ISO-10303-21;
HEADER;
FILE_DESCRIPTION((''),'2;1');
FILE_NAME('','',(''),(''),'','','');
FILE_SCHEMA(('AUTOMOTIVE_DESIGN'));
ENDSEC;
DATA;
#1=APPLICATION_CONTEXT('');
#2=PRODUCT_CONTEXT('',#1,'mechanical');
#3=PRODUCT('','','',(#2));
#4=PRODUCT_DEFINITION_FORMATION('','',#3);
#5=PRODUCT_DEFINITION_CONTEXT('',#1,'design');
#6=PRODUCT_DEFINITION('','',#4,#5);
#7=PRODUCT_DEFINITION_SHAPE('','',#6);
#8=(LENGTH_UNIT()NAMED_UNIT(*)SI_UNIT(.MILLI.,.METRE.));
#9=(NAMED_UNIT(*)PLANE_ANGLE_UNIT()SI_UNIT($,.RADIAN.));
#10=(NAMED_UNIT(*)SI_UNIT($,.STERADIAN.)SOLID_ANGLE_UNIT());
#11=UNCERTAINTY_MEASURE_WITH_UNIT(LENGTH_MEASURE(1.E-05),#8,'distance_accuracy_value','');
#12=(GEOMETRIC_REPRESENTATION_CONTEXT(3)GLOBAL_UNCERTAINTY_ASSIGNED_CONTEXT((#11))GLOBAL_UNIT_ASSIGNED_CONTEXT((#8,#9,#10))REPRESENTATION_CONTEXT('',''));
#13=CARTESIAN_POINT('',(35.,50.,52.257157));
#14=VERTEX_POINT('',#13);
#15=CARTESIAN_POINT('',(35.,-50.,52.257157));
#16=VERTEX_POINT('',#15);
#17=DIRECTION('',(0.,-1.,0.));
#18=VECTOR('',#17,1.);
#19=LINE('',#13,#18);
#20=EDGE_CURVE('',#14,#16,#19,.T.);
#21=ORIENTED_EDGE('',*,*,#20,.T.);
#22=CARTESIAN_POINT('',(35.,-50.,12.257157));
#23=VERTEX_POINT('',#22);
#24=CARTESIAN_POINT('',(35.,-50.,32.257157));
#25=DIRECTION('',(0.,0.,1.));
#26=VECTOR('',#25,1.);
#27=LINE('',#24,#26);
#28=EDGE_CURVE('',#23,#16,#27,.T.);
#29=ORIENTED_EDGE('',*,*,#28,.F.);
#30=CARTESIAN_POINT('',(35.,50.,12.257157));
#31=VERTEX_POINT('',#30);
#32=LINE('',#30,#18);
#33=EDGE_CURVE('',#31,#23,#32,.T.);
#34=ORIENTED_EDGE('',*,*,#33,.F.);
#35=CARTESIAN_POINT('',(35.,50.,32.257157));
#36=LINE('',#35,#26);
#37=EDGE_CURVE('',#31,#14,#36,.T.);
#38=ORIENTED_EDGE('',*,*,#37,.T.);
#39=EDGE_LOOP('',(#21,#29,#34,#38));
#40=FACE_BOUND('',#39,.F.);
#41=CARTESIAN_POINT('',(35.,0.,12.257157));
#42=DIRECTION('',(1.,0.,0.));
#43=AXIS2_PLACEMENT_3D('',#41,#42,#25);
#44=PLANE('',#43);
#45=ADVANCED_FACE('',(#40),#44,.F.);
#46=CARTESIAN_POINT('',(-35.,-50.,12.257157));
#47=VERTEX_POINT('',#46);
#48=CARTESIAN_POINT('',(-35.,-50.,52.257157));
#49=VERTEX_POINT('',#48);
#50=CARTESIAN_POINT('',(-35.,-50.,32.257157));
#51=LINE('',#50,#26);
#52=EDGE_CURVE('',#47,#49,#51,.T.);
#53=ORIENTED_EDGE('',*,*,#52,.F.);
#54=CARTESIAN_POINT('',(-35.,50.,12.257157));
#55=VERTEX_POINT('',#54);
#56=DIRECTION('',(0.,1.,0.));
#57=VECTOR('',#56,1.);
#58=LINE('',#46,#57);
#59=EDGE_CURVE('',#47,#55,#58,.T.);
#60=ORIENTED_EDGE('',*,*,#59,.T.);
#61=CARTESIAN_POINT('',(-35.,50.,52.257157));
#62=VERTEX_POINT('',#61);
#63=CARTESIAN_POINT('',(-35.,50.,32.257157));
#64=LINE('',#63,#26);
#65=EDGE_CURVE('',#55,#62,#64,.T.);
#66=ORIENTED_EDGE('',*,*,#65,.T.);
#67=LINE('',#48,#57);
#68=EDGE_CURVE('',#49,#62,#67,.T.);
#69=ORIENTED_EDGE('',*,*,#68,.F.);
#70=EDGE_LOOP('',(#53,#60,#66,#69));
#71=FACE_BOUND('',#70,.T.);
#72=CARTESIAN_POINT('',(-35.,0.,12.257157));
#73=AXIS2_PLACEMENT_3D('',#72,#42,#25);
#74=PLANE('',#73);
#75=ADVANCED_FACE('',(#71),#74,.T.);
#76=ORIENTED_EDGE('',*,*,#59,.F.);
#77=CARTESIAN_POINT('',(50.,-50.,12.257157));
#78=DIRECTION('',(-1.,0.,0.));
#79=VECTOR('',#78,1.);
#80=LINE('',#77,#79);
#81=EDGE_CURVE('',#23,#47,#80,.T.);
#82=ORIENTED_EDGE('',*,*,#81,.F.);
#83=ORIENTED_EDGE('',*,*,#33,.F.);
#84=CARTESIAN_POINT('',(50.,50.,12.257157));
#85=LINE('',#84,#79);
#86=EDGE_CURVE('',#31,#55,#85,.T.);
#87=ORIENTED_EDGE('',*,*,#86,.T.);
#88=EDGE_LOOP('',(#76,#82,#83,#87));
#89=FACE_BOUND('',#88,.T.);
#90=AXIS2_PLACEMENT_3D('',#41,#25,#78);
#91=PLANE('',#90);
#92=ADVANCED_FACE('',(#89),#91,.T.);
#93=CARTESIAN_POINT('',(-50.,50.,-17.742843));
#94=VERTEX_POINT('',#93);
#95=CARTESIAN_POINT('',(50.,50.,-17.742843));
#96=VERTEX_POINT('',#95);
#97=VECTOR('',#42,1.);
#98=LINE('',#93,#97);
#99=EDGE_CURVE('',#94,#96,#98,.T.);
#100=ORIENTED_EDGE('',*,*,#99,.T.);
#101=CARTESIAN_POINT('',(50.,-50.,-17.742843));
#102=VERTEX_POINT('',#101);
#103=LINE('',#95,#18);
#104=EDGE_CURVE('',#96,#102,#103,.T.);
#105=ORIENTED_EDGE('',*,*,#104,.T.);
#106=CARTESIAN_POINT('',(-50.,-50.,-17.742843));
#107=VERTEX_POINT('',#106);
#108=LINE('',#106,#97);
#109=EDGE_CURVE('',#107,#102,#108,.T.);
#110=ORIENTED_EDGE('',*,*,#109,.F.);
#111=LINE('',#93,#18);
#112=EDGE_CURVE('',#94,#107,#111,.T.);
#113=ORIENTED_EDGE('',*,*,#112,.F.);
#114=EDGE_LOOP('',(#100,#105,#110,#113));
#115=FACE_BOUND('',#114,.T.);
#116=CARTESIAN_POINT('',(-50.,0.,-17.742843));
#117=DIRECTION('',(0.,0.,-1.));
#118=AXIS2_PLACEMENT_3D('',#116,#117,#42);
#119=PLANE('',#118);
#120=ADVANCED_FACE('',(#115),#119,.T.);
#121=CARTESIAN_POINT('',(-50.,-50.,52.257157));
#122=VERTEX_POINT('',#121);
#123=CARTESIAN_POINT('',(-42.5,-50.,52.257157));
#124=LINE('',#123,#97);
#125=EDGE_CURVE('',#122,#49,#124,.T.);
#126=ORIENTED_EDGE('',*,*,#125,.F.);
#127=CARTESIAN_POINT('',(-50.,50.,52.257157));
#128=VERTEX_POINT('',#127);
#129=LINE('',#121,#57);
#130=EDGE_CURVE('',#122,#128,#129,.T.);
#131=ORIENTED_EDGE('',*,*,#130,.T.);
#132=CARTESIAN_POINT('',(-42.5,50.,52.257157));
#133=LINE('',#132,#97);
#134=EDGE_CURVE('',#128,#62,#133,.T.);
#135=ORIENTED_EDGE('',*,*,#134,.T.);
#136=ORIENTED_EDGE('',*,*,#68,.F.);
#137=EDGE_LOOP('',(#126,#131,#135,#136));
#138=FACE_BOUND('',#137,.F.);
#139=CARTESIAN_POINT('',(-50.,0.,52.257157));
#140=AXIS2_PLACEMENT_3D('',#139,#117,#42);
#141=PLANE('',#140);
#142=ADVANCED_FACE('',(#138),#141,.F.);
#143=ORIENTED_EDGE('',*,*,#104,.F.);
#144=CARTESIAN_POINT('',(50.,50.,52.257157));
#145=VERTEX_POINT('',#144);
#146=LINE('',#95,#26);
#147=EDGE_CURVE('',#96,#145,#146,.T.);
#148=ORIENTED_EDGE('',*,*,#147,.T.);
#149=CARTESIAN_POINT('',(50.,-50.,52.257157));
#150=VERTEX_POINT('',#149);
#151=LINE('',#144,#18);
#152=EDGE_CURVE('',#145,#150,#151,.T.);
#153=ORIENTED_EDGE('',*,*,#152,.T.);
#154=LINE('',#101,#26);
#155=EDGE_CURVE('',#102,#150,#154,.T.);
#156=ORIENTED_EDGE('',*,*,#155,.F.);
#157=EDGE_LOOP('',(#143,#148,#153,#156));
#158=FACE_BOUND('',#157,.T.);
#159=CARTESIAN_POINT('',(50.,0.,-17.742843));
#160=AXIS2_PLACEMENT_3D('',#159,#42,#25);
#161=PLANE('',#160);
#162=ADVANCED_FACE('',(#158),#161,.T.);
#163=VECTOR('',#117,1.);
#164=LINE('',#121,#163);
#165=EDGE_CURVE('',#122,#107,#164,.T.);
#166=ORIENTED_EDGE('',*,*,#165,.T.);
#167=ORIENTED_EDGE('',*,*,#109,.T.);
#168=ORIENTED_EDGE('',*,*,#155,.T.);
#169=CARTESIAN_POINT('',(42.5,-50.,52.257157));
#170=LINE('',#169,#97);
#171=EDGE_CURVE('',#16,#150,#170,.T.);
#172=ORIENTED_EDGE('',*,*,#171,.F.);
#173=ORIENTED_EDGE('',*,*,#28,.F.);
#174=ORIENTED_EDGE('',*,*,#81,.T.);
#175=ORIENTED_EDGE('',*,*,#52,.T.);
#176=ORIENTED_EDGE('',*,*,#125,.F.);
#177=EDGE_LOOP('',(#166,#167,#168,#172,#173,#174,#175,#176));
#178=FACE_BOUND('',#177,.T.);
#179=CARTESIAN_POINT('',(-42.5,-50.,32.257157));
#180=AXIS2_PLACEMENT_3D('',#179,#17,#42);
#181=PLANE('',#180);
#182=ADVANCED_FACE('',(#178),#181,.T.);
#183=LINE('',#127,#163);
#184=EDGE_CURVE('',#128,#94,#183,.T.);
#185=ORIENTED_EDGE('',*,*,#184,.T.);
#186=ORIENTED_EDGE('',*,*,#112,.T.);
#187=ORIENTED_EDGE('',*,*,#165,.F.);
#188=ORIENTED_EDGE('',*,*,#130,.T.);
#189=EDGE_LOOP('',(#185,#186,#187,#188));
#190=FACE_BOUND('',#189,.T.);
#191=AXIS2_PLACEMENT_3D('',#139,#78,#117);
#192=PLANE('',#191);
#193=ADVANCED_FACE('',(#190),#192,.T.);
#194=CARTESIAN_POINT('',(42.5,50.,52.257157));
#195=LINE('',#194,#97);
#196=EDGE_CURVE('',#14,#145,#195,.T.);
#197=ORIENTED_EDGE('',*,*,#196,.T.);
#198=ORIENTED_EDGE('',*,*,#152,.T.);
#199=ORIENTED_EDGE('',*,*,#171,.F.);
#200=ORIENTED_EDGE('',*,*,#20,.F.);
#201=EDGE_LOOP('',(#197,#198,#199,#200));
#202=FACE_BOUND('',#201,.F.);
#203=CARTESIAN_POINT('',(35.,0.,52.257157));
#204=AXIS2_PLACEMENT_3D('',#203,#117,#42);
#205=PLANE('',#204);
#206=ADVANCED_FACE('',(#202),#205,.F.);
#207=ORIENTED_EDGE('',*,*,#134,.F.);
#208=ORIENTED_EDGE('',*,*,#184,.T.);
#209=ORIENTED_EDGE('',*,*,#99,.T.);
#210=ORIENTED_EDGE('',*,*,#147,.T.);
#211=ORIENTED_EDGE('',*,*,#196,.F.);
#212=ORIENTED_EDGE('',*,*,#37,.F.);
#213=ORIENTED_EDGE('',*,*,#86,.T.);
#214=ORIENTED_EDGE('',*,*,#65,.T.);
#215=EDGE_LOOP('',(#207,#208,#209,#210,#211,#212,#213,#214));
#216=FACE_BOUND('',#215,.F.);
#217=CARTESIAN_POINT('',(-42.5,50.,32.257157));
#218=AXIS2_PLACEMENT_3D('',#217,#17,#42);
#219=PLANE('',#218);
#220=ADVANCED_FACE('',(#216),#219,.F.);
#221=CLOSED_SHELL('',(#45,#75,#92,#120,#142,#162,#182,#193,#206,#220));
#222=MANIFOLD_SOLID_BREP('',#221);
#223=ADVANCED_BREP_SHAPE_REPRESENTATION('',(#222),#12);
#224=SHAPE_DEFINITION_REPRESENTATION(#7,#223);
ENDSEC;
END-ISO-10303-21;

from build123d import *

# Parameters (mm, degrees)
F0_W     = 15
F0_H     = 40
F1_DEPTH = 50


with BuildPart() as f1:
    # F0 (on Front) → F1 (new body, symmetric)
    with BuildSketch(Plane.XZ):
        with Locations((-42.5, 32.257157)):
            Rectangle(F0_W, F0_H)
        Polygon((-35, 12.257157), (-50, 12.257157), (-50, -17.742843), (50, -17.742843), (50, 12.257157), (35, 12.257157), align=None)
        with Locations((42.5, 32.257157)):
            Rectangle(F0_W, F0_H)
    extrude(amount=F1_DEPTH, both=True)


solid = f1.part
